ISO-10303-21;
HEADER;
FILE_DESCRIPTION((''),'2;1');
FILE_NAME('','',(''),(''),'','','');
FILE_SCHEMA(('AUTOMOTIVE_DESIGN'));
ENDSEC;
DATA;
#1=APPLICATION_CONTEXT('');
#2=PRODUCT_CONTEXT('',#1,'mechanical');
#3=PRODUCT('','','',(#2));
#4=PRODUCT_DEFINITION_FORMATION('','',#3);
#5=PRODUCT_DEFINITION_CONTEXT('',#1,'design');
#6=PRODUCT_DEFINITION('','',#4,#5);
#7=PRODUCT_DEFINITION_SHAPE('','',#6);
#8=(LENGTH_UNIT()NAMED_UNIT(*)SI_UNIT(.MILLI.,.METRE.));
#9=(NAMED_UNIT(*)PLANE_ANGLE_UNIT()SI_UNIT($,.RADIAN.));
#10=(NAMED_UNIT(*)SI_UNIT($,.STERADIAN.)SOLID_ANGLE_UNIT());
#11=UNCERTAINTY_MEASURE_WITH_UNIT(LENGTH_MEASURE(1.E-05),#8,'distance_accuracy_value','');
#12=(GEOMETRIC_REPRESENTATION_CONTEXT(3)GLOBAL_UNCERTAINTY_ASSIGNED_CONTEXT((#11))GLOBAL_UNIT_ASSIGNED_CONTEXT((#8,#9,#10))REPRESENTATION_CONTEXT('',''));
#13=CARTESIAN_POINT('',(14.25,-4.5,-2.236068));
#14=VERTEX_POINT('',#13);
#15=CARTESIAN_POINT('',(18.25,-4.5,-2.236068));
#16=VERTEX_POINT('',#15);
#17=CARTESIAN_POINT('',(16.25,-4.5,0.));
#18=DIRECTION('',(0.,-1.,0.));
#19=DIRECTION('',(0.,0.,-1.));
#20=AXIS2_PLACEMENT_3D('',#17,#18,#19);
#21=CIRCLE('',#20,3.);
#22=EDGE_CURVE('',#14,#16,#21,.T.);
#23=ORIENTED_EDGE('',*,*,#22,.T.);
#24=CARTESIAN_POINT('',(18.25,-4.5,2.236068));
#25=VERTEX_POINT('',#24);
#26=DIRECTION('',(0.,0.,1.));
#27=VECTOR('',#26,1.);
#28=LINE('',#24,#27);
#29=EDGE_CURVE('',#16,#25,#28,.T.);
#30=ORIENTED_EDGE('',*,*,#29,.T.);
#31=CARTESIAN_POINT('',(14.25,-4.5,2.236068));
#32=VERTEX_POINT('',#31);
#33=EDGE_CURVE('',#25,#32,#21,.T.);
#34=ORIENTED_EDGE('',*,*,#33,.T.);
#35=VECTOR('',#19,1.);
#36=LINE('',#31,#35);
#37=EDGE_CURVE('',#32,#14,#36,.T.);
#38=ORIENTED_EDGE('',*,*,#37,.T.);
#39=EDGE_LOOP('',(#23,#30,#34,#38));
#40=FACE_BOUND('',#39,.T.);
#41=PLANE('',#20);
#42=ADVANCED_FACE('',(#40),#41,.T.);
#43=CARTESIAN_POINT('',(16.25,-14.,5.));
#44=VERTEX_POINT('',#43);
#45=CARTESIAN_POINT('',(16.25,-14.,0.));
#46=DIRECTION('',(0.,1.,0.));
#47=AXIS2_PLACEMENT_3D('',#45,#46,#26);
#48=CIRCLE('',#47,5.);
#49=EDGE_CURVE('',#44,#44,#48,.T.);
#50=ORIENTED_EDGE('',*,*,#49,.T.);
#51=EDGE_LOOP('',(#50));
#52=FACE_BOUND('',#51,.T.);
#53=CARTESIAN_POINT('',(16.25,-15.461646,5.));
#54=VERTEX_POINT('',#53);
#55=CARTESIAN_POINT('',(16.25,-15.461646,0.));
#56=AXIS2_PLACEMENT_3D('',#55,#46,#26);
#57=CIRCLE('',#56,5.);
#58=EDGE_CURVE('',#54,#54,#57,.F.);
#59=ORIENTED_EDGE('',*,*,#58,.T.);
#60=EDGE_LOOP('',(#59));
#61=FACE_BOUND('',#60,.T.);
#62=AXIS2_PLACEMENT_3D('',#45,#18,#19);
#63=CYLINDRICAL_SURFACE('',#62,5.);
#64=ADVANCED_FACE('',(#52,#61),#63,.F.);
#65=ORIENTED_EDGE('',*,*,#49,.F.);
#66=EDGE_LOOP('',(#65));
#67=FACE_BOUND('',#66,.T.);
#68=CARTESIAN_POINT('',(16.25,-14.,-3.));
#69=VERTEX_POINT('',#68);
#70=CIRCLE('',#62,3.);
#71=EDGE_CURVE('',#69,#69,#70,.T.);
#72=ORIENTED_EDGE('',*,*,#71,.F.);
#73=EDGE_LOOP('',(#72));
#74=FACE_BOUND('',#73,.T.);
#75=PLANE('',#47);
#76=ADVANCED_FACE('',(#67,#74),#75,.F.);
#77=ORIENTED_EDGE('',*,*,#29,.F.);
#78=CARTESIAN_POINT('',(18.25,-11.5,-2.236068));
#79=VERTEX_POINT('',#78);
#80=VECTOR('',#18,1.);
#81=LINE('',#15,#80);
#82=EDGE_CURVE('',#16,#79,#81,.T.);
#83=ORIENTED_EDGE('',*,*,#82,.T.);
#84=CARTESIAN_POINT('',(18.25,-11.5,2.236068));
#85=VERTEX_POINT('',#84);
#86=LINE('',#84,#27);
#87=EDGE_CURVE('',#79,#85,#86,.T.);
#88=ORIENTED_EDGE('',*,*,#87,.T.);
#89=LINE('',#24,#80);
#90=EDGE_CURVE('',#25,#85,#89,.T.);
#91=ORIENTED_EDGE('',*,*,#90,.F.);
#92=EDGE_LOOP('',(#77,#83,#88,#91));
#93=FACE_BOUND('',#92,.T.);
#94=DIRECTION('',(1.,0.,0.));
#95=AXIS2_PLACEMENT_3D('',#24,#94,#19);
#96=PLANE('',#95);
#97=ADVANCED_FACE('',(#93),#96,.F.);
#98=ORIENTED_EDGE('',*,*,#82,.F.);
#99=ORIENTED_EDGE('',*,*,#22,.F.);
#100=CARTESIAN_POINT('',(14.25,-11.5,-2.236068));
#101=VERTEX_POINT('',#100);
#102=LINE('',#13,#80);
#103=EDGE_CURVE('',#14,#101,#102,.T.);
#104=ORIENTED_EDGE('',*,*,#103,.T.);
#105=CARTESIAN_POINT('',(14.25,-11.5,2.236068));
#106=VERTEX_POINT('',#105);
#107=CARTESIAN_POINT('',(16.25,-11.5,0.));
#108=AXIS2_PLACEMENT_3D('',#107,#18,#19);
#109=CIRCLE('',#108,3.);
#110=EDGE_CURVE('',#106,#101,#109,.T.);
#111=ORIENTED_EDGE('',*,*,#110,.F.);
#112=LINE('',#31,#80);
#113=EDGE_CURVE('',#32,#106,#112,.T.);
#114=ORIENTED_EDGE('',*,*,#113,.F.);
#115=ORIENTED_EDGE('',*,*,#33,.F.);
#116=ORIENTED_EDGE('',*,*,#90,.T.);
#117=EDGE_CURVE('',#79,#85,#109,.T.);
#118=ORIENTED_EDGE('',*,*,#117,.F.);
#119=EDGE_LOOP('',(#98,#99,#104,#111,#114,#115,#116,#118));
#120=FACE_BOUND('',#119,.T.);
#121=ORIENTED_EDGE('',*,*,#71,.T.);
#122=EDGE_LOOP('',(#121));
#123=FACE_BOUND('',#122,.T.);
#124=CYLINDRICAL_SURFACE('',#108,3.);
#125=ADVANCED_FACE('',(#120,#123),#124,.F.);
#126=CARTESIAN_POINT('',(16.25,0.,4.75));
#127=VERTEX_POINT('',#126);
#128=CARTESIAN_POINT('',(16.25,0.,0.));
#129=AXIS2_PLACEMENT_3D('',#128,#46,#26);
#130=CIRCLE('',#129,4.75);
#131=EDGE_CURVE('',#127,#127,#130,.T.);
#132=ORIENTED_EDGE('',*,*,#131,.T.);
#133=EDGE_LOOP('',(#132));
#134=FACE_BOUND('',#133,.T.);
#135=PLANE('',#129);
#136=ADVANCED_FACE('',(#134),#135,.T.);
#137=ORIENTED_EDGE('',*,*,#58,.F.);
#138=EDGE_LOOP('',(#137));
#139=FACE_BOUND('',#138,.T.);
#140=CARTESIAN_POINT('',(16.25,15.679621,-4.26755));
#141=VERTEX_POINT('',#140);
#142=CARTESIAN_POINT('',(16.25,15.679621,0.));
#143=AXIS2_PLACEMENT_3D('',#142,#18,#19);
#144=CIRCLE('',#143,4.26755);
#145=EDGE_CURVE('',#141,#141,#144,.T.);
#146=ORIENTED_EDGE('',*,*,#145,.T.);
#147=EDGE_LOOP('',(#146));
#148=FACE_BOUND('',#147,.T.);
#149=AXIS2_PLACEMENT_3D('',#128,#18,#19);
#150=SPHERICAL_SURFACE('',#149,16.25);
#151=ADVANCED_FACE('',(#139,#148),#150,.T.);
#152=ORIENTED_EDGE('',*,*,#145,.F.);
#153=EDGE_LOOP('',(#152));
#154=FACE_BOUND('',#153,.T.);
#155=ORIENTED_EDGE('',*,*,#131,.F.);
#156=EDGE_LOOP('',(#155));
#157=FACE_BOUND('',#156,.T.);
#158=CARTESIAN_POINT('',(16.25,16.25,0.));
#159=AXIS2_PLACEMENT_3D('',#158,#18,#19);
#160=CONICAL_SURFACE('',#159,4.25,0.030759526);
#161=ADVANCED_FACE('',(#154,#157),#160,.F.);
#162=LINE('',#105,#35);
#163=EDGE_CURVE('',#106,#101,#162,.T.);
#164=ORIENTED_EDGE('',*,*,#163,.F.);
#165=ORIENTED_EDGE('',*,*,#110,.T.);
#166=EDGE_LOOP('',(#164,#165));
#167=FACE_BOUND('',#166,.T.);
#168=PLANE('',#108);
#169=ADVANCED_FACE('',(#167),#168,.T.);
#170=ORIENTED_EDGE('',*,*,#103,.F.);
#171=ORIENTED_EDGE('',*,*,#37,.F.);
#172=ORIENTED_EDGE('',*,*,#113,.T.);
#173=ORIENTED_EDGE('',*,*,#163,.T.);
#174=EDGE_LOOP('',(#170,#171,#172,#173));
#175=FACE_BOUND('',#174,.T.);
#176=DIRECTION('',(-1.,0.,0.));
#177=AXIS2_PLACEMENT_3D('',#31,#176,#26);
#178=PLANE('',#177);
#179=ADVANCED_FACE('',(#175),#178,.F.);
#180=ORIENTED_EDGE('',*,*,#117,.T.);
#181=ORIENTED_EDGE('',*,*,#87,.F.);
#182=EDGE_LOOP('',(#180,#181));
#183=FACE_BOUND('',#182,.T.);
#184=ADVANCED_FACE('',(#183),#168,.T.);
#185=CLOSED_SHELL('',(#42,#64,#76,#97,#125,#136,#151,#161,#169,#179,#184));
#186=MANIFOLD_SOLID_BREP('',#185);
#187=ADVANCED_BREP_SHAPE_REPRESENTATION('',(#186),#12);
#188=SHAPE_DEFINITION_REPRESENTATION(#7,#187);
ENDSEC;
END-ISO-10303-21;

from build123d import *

# Parameters (mm, degrees)
SKETCH4_R          = 4.75
SKETCH3_R          = 4.25
SKETCH7_R          = 5
CUT_EXTRUDE4_DEPTH = 3
SKETCH8_R          = 3
CUT_EXTRUDE5_DEPTH = 2.5
CUT_EXTRUDE6_DEPTH = 7


with BuildPart() as part:
    # Sketch2 → Revolve1 (revolve)
    with BuildSketch(Plane.XY):
        with BuildLine():
            Line((0, 0), (32.5, 0))
            ThreePointArc((32.5, 0), (16.25, 16.25), (0, 0))
        make_face()
    revolve(axis=Axis((0, 0, 0), (1, 0, 0)))

    # Sketch4 → Cut-Loft1 section 0
    with BuildSketch(Plane(origin=(0, 0, 0), x_dir=(1, 0, 0), z_dir=(0, 1, 0))):
        with Locations((16.25, 0)):
            Circle(SKETCH4_R)
    # Sketch3 → Cut-Loft1 section 1
    with BuildSketch(Plane(origin=(0, 16.25, 0), x_dir=(1, 0, 0), z_dir=(0, 1, 0))):
        with Locations((16.25, 0)):
            Circle(SKETCH3_R)
    loft(mode=Mode.SUBTRACT)

    # Sketch7 → Cut-Extrude4 (cut)
    with BuildSketch(Plane(origin=(0, -17, 0), x_dir=(1, 0, 0), z_dir=(0, 1, 0))):
        with Locations((16.25, 0)):
            Circle(SKETCH7_R)
    extrude(amount=CUT_EXTRUDE4_DEPTH, mode=Mode.SUBTRACT)

    # Sketch8 → Cut-Extrude5 (cut)
    with BuildSketch(Plane.XZ.offset(14)):
        with Locations((16.25, 0)):
            Circle(SKETCH8_R)
    extrude(amount=-CUT_EXTRUDE5_DEPTH, mode=Mode.SUBTRACT)

    # Sketch9 → Cut-Extrude6 (cut)
    with BuildSketch(Plane.XZ.offset(11.5)):
        with BuildLine():
            Line((14.25, 2.236067977), (14.25, -2.236067977))
            ThreePointArc((14.25, -2.236067977), (16.25, -3), (18.25, -2.236067977))
            Line((18.25, -2.236067977), (18.25, 2.236067977))
            ThreePointArc((18.25, 2.236067977), (16.25, 3), (14.25, 2.236067977))
        make_face()
    extrude(amount=-CUT_EXTRUDE6_DEPTH, mode=Mode.SUBTRACT)


solid = part.part
